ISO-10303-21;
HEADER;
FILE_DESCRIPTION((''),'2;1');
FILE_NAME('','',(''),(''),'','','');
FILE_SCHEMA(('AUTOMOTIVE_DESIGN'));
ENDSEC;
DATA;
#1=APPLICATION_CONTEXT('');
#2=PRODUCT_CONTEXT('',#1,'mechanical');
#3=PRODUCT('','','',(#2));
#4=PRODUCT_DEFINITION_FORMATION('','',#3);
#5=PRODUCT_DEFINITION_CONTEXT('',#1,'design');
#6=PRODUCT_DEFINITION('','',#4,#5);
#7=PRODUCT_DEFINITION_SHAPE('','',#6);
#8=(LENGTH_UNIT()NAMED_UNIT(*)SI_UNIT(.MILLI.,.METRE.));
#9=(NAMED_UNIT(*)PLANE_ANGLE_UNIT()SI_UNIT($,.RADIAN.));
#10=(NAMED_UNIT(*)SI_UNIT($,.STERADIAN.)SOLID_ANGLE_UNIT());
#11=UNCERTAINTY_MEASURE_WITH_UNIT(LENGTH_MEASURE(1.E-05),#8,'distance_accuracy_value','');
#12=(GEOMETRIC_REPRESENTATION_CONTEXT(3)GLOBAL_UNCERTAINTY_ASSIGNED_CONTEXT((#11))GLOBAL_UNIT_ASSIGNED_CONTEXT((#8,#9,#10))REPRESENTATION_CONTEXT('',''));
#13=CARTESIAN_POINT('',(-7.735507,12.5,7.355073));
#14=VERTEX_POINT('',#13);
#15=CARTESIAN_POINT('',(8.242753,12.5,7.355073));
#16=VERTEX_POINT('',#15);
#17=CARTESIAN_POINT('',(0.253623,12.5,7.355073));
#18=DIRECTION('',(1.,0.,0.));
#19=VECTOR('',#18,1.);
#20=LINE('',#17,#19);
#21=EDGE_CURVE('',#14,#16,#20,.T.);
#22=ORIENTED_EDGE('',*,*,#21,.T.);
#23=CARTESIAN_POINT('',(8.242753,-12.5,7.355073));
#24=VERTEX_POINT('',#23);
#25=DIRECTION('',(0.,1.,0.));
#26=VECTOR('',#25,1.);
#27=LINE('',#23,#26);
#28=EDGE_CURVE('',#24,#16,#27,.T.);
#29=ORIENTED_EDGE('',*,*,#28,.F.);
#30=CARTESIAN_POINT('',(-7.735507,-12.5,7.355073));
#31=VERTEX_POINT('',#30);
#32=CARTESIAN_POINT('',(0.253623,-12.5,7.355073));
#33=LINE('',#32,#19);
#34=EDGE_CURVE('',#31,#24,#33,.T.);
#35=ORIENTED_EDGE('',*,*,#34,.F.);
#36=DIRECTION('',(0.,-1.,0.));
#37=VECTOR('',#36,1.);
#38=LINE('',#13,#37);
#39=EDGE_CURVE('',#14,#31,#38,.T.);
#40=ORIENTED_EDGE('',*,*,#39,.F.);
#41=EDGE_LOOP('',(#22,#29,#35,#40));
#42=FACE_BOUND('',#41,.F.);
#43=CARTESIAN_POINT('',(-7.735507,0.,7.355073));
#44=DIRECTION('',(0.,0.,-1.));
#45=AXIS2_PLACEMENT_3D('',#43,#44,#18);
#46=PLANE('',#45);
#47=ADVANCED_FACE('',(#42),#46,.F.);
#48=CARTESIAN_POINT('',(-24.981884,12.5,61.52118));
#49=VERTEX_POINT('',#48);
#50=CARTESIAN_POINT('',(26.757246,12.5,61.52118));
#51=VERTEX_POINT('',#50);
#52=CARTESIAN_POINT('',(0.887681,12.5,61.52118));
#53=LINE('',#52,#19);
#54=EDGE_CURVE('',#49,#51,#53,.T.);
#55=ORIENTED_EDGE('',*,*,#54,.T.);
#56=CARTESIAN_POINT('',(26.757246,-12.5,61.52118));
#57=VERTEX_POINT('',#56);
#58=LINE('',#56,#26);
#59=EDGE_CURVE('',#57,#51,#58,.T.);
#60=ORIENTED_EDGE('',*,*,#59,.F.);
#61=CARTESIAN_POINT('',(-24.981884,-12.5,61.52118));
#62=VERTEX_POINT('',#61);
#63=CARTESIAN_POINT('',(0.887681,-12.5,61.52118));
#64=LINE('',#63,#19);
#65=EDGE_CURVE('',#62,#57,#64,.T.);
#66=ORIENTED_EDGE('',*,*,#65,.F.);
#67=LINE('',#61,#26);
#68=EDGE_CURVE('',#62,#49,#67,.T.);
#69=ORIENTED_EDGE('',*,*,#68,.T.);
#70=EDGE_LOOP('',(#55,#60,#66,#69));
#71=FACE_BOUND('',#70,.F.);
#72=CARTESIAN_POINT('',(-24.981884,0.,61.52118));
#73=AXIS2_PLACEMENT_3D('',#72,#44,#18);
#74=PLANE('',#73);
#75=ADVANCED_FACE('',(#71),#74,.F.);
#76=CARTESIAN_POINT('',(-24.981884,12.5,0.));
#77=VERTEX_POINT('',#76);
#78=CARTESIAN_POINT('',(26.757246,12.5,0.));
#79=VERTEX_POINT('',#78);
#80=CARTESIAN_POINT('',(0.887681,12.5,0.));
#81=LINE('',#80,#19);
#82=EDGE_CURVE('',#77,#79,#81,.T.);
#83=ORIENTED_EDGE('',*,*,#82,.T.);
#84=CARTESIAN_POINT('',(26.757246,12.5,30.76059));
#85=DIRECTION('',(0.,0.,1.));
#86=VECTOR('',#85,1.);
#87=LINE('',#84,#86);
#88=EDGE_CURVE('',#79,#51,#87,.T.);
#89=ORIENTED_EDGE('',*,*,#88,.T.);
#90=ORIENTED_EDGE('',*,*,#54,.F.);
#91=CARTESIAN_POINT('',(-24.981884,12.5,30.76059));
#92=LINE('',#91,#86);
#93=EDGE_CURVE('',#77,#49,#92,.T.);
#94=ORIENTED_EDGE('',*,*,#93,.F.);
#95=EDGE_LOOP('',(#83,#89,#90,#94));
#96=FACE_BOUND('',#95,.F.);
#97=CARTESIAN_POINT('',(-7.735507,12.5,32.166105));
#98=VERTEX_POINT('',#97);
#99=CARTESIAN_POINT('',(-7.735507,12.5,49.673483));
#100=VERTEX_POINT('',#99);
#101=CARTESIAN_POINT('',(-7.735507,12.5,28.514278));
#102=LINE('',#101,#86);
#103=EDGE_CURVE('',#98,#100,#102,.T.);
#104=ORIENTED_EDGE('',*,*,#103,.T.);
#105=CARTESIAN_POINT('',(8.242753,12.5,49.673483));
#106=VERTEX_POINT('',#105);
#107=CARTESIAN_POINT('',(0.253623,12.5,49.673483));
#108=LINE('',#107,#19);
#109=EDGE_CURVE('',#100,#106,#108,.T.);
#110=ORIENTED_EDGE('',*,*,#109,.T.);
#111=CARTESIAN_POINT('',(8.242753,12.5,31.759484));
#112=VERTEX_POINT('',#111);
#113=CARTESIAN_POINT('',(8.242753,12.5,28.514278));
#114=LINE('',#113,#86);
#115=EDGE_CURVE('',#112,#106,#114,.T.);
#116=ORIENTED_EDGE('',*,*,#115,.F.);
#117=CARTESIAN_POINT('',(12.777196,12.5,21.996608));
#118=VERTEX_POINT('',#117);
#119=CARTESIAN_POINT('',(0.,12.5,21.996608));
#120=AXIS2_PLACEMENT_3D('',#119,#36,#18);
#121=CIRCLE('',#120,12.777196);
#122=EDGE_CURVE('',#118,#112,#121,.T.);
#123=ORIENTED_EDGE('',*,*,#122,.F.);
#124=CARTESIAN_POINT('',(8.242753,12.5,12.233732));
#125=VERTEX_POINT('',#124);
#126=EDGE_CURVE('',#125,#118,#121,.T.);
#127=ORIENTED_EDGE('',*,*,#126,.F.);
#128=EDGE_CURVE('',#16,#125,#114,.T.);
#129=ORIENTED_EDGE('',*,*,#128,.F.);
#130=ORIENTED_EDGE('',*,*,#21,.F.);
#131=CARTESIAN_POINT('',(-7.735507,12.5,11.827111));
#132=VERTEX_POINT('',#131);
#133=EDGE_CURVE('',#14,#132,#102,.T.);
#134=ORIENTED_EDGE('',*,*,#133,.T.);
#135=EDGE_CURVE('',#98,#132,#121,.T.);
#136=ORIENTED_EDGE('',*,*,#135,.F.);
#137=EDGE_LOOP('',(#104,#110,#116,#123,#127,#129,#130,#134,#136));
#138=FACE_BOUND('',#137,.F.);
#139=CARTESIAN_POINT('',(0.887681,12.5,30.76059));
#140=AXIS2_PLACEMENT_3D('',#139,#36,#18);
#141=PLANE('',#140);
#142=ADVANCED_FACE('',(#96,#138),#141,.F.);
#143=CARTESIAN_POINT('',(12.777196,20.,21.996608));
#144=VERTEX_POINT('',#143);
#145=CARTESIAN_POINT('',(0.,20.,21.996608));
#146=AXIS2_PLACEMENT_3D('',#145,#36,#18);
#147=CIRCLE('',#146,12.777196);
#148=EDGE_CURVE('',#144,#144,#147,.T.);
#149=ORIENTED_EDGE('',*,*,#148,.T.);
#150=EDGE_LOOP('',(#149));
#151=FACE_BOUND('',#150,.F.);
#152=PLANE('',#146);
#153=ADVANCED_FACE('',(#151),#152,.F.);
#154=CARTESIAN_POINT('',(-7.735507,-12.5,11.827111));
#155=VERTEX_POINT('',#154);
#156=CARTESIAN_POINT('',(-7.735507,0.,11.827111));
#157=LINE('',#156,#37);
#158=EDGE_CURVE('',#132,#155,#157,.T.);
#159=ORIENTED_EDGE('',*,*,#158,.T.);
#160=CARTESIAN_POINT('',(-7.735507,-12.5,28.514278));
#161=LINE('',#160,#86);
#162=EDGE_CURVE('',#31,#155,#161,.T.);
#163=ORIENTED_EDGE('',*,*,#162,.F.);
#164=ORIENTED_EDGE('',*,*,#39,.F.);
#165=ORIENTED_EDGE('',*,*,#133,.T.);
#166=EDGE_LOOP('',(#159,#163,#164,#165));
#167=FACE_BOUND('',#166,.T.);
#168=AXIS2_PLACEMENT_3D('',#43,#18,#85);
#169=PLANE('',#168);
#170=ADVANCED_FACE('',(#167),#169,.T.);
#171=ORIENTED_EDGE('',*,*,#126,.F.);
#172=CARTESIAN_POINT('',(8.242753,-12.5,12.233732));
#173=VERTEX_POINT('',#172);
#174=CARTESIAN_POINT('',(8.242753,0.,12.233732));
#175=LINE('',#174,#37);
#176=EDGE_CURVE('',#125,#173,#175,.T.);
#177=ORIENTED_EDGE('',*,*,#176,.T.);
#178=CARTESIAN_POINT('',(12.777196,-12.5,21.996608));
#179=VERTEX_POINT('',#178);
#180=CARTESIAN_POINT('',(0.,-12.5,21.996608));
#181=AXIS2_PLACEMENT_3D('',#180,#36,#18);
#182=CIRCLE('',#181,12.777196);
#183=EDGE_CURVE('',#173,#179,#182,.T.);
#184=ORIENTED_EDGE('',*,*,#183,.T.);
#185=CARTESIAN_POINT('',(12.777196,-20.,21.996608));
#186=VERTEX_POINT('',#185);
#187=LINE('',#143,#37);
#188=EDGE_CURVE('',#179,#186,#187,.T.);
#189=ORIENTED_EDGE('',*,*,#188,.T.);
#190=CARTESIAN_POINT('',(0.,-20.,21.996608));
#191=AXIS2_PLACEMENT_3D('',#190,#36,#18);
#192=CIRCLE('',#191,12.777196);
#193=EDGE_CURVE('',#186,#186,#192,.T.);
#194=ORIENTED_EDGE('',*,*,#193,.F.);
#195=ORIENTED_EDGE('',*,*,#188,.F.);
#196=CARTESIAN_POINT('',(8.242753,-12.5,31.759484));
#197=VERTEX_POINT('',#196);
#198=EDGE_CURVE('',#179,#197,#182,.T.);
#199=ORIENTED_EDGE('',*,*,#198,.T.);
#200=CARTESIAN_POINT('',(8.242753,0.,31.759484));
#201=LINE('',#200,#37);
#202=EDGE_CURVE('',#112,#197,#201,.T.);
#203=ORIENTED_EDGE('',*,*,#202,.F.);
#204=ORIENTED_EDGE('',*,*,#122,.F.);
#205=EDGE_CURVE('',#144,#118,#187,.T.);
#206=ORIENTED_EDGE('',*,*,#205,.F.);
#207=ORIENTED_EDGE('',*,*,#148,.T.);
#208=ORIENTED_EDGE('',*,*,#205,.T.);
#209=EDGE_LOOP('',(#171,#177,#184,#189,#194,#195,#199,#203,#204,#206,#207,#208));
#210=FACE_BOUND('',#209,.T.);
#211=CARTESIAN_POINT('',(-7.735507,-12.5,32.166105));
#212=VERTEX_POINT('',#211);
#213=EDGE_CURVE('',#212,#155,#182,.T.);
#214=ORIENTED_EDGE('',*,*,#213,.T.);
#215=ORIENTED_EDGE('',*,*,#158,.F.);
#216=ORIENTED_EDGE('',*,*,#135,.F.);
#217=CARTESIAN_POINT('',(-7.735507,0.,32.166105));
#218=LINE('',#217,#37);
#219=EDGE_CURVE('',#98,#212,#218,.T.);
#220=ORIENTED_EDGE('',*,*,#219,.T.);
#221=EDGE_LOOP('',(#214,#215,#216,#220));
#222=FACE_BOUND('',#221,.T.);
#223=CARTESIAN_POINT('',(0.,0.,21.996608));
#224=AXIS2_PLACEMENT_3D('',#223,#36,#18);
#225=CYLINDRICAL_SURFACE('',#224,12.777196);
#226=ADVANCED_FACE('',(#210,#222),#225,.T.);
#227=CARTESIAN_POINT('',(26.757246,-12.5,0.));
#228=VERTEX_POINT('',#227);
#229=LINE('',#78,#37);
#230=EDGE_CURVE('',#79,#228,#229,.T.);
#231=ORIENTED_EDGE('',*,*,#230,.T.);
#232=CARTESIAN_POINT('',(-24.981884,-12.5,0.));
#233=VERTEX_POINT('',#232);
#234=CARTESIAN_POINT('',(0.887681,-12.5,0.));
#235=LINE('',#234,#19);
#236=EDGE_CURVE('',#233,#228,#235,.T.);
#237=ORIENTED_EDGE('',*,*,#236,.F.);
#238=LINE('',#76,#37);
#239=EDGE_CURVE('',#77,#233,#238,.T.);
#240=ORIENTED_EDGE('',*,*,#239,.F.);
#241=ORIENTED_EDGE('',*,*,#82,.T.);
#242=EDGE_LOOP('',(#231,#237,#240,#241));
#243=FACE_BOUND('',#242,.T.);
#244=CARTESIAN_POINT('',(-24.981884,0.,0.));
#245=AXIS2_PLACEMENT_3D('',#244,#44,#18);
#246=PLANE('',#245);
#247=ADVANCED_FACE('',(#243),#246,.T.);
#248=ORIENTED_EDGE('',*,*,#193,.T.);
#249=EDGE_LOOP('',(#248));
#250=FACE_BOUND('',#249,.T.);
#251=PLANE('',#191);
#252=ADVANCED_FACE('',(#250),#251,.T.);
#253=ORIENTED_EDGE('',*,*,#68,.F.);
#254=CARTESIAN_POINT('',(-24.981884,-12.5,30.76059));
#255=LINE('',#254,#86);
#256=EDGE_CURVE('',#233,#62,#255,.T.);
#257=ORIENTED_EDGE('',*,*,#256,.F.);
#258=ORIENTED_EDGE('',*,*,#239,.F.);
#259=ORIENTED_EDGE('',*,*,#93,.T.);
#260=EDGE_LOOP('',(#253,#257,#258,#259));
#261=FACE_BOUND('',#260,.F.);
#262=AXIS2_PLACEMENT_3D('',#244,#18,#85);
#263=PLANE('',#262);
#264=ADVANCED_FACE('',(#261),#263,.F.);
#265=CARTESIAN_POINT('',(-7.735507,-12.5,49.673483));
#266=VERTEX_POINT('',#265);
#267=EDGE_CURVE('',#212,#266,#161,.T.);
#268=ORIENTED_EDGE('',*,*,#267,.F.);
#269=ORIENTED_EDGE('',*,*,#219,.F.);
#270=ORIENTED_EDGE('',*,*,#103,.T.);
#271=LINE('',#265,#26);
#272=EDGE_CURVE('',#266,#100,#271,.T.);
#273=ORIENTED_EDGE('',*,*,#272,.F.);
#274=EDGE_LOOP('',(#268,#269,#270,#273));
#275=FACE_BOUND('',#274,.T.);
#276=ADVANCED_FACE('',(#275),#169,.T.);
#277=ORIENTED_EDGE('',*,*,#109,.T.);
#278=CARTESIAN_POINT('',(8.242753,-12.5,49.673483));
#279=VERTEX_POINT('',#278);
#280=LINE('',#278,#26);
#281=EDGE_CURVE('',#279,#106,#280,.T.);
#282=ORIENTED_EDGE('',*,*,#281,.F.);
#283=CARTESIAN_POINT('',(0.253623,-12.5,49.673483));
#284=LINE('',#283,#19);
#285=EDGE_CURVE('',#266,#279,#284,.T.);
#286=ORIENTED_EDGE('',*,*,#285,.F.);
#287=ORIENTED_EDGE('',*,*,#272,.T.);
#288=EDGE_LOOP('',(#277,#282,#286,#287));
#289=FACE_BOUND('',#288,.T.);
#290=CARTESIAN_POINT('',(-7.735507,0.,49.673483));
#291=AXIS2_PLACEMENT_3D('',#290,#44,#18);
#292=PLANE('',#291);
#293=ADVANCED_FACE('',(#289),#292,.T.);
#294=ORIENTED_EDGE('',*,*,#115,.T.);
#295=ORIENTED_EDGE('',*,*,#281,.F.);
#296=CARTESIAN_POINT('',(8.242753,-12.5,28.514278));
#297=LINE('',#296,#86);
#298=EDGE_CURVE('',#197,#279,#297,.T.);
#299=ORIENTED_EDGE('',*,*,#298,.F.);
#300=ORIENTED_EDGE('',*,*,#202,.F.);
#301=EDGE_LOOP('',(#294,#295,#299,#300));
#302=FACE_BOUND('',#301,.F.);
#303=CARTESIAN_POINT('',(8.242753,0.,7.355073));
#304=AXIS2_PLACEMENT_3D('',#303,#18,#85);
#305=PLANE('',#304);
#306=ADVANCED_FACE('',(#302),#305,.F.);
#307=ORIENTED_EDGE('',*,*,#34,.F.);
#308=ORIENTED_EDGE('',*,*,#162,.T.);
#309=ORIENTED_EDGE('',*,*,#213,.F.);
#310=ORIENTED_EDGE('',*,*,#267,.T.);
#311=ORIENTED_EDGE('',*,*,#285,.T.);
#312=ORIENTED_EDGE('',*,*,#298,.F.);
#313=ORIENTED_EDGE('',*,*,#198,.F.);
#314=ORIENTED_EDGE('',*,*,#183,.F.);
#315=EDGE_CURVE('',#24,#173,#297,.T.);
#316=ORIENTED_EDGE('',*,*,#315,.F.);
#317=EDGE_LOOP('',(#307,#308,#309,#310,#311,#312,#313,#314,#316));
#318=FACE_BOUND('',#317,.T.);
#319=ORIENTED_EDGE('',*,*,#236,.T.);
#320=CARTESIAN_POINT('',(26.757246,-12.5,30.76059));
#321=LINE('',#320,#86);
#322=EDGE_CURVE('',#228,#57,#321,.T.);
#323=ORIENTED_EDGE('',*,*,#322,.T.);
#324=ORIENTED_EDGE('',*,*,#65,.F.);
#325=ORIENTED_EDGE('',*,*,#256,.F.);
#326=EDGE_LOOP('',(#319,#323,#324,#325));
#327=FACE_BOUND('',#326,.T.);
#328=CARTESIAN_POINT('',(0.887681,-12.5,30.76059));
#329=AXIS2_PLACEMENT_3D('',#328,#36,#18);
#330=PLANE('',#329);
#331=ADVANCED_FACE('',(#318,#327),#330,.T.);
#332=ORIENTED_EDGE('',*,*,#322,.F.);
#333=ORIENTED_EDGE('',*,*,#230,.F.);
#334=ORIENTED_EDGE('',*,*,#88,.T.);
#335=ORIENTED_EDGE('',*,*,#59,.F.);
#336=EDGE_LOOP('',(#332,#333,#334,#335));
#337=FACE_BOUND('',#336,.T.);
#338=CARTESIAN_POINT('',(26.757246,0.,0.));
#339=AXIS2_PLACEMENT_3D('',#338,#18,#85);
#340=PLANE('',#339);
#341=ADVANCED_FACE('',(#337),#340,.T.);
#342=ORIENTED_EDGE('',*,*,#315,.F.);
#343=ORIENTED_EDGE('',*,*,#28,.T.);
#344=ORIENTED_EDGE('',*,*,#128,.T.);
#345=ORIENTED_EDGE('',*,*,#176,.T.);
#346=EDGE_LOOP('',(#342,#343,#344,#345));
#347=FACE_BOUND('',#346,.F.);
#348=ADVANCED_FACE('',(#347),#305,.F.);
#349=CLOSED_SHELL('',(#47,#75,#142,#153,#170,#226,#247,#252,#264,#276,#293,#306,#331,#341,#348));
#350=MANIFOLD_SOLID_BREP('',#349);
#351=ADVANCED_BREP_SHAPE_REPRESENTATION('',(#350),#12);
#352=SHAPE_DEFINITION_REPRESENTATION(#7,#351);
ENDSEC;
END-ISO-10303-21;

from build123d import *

# Parameters (mm, degrees)
F0_W     = 51.73913
F0_H     = 61.52118
F0_W_2   = 15.978261
F0_H_2   = 42.31841
F1_DEPTH = 12.5
F2_R     = 12.777196
F3_DEPTH = 20


with BuildPart() as f1:
    # F0 (on Front) → F1 (new body, symmetric)
    with BuildSketch(Plane.XZ):
        with Locations((0.887681, 30.76059)):
            Rectangle(F0_W, F0_H)
        with Locations((0.253623, 28.514278)):
            Rectangle(F0_W_2, F0_H_2, mode=Mode.SUBTRACT)
    extrude(amount=F1_DEPTH, both=True)

    # F2 (on Front) → F3 (join, symmetric)
    with BuildSketch(Plane.XZ):
        with Locations((0, 21.996608)):
            Circle(F2_R)
    extrude(amount=F3_DEPTH, both=True)


solid = f1.part
